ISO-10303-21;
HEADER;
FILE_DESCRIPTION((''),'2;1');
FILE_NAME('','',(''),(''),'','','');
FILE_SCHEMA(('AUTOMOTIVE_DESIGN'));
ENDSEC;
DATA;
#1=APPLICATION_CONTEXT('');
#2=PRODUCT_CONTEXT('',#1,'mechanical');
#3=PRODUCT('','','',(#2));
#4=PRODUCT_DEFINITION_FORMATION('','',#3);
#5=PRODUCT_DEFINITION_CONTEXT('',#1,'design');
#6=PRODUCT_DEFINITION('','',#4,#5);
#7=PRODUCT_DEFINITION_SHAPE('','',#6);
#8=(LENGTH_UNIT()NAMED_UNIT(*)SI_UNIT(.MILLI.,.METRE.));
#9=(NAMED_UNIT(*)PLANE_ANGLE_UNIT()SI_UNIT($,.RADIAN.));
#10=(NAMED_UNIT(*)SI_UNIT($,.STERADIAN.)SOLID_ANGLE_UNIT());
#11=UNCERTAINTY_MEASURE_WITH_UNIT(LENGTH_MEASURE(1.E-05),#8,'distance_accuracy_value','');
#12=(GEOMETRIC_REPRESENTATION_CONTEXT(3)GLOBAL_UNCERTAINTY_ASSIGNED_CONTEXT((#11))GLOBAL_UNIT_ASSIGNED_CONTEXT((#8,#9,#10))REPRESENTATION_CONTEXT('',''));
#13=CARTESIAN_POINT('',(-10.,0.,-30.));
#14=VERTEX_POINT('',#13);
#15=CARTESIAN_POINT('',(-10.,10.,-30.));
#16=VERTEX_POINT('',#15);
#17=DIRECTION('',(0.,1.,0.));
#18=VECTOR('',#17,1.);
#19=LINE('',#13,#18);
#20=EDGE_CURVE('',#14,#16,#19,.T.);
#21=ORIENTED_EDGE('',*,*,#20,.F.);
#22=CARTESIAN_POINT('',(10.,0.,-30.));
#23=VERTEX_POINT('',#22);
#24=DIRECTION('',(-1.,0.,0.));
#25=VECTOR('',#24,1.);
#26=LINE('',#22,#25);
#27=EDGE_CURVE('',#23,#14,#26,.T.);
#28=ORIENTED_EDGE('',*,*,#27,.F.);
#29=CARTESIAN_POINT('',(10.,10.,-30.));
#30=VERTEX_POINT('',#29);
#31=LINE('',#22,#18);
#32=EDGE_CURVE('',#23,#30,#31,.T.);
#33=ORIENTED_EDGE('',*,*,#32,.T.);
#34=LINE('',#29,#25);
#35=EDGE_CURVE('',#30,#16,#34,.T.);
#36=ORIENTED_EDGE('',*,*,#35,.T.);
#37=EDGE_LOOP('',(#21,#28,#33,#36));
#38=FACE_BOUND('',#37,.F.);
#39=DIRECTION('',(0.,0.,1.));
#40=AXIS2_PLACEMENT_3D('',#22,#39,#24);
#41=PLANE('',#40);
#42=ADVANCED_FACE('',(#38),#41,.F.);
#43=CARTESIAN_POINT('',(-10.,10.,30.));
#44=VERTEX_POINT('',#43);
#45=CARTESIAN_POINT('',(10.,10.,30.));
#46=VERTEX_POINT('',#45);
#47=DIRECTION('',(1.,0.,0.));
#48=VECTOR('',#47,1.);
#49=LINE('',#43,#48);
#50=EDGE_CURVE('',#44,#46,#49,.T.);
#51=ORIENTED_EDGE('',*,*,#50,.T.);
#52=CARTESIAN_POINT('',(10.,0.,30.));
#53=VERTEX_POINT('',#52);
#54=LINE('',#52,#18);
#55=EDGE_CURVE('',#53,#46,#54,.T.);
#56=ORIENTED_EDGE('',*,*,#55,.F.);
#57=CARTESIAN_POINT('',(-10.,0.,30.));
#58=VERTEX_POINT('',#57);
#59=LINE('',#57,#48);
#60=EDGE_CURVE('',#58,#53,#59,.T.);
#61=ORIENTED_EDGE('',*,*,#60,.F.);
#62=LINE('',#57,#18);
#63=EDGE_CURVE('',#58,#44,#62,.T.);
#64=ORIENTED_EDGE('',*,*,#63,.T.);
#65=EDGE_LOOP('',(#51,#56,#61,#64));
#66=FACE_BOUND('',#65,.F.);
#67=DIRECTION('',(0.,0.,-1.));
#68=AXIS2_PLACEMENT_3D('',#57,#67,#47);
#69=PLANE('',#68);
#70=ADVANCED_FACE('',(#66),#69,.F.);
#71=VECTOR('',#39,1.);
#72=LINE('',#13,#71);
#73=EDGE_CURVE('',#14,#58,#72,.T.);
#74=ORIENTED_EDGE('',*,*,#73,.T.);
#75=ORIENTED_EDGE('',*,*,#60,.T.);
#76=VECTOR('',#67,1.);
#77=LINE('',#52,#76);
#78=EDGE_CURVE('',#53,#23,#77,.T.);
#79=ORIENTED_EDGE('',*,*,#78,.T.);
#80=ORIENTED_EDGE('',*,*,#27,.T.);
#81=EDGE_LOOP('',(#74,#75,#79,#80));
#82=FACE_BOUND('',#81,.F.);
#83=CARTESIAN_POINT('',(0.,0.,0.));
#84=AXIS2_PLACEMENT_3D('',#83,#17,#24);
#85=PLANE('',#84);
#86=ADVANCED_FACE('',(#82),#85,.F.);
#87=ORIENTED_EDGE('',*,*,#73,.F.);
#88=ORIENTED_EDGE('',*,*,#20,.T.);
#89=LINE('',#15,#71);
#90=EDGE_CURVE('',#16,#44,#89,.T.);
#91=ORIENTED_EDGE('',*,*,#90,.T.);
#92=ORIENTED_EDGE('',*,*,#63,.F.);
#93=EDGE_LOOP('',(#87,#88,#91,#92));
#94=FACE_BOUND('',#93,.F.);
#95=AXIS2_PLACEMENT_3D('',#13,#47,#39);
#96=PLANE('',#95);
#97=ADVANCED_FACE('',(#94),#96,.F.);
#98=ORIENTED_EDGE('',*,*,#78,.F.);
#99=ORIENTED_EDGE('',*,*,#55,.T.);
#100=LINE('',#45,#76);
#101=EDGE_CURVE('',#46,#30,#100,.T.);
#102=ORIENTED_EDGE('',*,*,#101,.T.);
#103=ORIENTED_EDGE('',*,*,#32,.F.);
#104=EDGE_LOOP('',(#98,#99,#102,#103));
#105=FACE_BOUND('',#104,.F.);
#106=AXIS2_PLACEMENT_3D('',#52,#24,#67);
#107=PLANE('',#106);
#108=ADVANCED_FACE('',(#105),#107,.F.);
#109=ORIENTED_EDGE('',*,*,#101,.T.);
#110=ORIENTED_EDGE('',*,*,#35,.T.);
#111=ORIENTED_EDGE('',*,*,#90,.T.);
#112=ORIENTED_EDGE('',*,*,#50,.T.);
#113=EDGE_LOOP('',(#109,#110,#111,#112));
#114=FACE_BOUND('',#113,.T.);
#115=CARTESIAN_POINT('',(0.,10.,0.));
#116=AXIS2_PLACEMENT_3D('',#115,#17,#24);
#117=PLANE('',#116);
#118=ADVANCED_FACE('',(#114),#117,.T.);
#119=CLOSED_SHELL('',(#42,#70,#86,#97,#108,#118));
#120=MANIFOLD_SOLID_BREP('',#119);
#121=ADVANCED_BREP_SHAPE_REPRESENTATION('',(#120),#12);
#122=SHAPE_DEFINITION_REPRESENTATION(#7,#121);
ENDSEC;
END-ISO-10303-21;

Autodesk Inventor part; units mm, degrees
ref_plane "YZ Plane" through (0, 0, 0) normal (1, 0, 0) x (0, 1, 0)
ref_plane "XZ Plane" through (0, 0, 0) normal (0, 1, 0) x (-1, 0, 0)
ref_plane "XY Plane" through (0, 0, 0) normal (0, 0, 1) x (1, 0, 0)
sketch "Эскиз1" plane through (0, 0, 0) normal (0, 1, 0) x (-1, 0, 0)
  line L0 (-10, -30) -> (10, -30)
  line L1 (10, -30) -> (10, 30)
  line L2 (10, 30) -> (-10, 30)
  line L3 (-10, 30) -> (-10, -30)
  line L4 (-10, -30) -> (10, 30) construction
  line L5 (10, -30) -> (-10, 30) construction
  point P0 (0, 0)
  dimension "d0" = 20
  dimension "d1" = 60
extrude "Выдавливание1" add sketch "Эскиз1" along normal blind 10
properties part number "Magnit"
